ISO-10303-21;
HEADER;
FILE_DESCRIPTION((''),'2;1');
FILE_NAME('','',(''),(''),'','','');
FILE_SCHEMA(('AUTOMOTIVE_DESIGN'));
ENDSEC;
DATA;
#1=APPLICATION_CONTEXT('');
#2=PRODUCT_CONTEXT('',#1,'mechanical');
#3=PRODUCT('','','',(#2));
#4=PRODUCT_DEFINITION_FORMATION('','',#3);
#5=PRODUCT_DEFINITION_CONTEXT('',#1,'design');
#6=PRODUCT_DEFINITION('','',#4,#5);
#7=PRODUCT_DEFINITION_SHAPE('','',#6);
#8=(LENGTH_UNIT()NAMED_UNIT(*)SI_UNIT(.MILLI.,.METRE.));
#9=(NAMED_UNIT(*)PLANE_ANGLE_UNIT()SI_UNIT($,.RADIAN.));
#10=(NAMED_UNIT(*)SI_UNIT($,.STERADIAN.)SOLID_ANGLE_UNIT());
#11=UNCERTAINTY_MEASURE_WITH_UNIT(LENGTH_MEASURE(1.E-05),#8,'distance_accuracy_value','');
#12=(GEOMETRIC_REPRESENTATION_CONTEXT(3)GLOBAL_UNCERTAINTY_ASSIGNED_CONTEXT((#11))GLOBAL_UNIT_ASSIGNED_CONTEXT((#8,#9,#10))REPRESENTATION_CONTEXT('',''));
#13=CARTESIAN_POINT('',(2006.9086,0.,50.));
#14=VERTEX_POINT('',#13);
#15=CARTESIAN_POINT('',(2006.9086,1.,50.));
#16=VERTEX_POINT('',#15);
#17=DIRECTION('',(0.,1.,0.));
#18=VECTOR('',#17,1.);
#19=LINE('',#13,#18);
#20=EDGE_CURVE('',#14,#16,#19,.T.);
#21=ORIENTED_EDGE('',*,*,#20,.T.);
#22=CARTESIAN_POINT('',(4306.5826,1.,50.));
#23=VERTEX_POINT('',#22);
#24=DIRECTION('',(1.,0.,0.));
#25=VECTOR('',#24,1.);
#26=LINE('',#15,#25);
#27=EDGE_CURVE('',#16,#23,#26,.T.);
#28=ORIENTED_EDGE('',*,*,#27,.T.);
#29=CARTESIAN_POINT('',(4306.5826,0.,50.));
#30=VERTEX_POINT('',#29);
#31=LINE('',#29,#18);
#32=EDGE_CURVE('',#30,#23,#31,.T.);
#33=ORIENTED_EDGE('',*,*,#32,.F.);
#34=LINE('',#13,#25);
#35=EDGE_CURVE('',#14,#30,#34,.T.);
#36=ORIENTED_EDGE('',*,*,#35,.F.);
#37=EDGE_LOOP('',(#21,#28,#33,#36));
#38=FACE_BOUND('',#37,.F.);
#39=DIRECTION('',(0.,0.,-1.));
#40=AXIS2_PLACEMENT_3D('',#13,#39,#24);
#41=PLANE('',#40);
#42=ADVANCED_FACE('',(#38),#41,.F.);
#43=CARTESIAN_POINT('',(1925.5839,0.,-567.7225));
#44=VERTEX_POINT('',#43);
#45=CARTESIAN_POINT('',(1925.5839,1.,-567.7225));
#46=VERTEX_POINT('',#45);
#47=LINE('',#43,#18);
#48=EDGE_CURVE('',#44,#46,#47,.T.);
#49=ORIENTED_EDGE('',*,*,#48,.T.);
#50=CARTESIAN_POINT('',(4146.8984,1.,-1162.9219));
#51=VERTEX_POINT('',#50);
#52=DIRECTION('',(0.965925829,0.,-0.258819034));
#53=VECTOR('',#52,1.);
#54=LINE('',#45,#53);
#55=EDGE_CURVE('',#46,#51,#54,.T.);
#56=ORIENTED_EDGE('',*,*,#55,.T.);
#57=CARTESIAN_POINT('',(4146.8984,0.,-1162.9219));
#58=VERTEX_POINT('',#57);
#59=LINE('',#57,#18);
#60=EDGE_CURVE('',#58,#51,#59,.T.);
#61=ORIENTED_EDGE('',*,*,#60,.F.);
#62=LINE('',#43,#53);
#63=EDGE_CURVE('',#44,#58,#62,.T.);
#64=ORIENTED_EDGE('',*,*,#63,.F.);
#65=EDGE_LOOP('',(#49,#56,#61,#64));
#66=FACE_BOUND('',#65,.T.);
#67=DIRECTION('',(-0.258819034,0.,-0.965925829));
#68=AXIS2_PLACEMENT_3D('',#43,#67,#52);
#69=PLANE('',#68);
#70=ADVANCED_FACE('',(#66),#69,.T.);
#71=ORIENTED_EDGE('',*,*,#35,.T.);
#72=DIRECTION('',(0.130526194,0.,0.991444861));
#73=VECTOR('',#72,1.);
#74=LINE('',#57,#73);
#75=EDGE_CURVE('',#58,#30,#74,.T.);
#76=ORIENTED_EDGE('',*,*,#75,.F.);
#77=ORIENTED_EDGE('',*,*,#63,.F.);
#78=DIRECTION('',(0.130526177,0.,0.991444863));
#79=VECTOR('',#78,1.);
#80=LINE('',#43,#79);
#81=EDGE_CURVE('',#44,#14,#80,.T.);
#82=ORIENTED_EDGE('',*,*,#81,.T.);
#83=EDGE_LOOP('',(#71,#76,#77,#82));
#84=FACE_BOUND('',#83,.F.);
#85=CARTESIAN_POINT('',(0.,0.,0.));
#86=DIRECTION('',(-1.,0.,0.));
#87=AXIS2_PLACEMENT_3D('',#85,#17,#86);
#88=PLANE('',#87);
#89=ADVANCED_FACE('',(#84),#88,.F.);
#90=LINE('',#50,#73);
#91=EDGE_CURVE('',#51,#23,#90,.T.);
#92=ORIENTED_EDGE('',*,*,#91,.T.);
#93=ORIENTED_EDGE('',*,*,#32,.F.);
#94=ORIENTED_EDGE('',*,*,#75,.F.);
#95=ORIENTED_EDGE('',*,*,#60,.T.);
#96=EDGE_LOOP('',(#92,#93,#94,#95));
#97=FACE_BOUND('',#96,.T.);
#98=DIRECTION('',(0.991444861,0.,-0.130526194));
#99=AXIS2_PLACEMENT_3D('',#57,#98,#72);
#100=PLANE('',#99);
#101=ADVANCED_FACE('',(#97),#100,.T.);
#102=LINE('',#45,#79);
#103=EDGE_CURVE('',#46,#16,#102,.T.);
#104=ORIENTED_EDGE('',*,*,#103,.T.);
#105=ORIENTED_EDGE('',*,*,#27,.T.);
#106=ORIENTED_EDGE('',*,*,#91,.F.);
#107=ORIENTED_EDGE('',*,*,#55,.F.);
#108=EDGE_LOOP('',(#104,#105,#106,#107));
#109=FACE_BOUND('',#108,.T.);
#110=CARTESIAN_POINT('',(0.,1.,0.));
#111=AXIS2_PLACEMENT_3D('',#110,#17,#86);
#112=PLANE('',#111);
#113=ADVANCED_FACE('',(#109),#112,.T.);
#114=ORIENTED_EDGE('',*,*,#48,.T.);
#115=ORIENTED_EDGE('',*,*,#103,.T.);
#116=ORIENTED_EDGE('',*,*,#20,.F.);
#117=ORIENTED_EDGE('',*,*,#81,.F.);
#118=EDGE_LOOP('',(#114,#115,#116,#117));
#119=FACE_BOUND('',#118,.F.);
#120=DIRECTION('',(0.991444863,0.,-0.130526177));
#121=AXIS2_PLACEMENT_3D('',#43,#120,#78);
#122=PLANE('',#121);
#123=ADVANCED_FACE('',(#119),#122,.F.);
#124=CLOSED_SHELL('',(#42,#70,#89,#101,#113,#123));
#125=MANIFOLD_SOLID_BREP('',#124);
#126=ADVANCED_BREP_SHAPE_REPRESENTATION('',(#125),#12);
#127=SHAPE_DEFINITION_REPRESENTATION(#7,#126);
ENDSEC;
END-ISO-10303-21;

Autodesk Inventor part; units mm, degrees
ref_plane "YZ Plane" through (0, 0, 0) normal (1, 0, 0) x (0, 1, 0)
ref_plane "XZ Plane" through (0, 0, 0) normal (0, 1, 0) x (-1, 0, 0)
ref_plane "XY Plane" through (0, 0, 0) normal (0, 0, 1) x (1, 0, 0)
sketch "Sketch1" plane through (0, 0, 0) normal (0, 1, 0) x (-1, 0, 0)
  line L0 (0, 0) -> (-4300, 0) construction
  line L1 (0, 0) -> (-4153.4811, -1112.9219) construction
  line L2 (0, 0) -> (4300, 0) construction
  line L3 (-4300, 0) -> (-4200, 0) construction
  line L4 (-2006.9086, 50) -> (-4306.5826, 50)
  line L5 (-4153.4811, -1112.9219) -> (-3780.7254, -1112.9219) construction
  line L6 (-1925.5839, -567.7225) -> (-4146.8984, -1162.9219)
  line L7 (-4146.8984, -1162.9219) -> (-4306.5826, 50)
  line L8 (-1925.5839, -567.7225) -> (-2006.9086, 50)
  dimension "d0" = 4300
  dimension "d1" = 4300
  dimension "d2" = 165
  dimension "d5" = 50
  dimension "d7" = 50
  dimension "d8" = 2280
extrude "Extrusion1" add sketch "Sketch1" along normal blind 1
properties part number "panelBflat"
